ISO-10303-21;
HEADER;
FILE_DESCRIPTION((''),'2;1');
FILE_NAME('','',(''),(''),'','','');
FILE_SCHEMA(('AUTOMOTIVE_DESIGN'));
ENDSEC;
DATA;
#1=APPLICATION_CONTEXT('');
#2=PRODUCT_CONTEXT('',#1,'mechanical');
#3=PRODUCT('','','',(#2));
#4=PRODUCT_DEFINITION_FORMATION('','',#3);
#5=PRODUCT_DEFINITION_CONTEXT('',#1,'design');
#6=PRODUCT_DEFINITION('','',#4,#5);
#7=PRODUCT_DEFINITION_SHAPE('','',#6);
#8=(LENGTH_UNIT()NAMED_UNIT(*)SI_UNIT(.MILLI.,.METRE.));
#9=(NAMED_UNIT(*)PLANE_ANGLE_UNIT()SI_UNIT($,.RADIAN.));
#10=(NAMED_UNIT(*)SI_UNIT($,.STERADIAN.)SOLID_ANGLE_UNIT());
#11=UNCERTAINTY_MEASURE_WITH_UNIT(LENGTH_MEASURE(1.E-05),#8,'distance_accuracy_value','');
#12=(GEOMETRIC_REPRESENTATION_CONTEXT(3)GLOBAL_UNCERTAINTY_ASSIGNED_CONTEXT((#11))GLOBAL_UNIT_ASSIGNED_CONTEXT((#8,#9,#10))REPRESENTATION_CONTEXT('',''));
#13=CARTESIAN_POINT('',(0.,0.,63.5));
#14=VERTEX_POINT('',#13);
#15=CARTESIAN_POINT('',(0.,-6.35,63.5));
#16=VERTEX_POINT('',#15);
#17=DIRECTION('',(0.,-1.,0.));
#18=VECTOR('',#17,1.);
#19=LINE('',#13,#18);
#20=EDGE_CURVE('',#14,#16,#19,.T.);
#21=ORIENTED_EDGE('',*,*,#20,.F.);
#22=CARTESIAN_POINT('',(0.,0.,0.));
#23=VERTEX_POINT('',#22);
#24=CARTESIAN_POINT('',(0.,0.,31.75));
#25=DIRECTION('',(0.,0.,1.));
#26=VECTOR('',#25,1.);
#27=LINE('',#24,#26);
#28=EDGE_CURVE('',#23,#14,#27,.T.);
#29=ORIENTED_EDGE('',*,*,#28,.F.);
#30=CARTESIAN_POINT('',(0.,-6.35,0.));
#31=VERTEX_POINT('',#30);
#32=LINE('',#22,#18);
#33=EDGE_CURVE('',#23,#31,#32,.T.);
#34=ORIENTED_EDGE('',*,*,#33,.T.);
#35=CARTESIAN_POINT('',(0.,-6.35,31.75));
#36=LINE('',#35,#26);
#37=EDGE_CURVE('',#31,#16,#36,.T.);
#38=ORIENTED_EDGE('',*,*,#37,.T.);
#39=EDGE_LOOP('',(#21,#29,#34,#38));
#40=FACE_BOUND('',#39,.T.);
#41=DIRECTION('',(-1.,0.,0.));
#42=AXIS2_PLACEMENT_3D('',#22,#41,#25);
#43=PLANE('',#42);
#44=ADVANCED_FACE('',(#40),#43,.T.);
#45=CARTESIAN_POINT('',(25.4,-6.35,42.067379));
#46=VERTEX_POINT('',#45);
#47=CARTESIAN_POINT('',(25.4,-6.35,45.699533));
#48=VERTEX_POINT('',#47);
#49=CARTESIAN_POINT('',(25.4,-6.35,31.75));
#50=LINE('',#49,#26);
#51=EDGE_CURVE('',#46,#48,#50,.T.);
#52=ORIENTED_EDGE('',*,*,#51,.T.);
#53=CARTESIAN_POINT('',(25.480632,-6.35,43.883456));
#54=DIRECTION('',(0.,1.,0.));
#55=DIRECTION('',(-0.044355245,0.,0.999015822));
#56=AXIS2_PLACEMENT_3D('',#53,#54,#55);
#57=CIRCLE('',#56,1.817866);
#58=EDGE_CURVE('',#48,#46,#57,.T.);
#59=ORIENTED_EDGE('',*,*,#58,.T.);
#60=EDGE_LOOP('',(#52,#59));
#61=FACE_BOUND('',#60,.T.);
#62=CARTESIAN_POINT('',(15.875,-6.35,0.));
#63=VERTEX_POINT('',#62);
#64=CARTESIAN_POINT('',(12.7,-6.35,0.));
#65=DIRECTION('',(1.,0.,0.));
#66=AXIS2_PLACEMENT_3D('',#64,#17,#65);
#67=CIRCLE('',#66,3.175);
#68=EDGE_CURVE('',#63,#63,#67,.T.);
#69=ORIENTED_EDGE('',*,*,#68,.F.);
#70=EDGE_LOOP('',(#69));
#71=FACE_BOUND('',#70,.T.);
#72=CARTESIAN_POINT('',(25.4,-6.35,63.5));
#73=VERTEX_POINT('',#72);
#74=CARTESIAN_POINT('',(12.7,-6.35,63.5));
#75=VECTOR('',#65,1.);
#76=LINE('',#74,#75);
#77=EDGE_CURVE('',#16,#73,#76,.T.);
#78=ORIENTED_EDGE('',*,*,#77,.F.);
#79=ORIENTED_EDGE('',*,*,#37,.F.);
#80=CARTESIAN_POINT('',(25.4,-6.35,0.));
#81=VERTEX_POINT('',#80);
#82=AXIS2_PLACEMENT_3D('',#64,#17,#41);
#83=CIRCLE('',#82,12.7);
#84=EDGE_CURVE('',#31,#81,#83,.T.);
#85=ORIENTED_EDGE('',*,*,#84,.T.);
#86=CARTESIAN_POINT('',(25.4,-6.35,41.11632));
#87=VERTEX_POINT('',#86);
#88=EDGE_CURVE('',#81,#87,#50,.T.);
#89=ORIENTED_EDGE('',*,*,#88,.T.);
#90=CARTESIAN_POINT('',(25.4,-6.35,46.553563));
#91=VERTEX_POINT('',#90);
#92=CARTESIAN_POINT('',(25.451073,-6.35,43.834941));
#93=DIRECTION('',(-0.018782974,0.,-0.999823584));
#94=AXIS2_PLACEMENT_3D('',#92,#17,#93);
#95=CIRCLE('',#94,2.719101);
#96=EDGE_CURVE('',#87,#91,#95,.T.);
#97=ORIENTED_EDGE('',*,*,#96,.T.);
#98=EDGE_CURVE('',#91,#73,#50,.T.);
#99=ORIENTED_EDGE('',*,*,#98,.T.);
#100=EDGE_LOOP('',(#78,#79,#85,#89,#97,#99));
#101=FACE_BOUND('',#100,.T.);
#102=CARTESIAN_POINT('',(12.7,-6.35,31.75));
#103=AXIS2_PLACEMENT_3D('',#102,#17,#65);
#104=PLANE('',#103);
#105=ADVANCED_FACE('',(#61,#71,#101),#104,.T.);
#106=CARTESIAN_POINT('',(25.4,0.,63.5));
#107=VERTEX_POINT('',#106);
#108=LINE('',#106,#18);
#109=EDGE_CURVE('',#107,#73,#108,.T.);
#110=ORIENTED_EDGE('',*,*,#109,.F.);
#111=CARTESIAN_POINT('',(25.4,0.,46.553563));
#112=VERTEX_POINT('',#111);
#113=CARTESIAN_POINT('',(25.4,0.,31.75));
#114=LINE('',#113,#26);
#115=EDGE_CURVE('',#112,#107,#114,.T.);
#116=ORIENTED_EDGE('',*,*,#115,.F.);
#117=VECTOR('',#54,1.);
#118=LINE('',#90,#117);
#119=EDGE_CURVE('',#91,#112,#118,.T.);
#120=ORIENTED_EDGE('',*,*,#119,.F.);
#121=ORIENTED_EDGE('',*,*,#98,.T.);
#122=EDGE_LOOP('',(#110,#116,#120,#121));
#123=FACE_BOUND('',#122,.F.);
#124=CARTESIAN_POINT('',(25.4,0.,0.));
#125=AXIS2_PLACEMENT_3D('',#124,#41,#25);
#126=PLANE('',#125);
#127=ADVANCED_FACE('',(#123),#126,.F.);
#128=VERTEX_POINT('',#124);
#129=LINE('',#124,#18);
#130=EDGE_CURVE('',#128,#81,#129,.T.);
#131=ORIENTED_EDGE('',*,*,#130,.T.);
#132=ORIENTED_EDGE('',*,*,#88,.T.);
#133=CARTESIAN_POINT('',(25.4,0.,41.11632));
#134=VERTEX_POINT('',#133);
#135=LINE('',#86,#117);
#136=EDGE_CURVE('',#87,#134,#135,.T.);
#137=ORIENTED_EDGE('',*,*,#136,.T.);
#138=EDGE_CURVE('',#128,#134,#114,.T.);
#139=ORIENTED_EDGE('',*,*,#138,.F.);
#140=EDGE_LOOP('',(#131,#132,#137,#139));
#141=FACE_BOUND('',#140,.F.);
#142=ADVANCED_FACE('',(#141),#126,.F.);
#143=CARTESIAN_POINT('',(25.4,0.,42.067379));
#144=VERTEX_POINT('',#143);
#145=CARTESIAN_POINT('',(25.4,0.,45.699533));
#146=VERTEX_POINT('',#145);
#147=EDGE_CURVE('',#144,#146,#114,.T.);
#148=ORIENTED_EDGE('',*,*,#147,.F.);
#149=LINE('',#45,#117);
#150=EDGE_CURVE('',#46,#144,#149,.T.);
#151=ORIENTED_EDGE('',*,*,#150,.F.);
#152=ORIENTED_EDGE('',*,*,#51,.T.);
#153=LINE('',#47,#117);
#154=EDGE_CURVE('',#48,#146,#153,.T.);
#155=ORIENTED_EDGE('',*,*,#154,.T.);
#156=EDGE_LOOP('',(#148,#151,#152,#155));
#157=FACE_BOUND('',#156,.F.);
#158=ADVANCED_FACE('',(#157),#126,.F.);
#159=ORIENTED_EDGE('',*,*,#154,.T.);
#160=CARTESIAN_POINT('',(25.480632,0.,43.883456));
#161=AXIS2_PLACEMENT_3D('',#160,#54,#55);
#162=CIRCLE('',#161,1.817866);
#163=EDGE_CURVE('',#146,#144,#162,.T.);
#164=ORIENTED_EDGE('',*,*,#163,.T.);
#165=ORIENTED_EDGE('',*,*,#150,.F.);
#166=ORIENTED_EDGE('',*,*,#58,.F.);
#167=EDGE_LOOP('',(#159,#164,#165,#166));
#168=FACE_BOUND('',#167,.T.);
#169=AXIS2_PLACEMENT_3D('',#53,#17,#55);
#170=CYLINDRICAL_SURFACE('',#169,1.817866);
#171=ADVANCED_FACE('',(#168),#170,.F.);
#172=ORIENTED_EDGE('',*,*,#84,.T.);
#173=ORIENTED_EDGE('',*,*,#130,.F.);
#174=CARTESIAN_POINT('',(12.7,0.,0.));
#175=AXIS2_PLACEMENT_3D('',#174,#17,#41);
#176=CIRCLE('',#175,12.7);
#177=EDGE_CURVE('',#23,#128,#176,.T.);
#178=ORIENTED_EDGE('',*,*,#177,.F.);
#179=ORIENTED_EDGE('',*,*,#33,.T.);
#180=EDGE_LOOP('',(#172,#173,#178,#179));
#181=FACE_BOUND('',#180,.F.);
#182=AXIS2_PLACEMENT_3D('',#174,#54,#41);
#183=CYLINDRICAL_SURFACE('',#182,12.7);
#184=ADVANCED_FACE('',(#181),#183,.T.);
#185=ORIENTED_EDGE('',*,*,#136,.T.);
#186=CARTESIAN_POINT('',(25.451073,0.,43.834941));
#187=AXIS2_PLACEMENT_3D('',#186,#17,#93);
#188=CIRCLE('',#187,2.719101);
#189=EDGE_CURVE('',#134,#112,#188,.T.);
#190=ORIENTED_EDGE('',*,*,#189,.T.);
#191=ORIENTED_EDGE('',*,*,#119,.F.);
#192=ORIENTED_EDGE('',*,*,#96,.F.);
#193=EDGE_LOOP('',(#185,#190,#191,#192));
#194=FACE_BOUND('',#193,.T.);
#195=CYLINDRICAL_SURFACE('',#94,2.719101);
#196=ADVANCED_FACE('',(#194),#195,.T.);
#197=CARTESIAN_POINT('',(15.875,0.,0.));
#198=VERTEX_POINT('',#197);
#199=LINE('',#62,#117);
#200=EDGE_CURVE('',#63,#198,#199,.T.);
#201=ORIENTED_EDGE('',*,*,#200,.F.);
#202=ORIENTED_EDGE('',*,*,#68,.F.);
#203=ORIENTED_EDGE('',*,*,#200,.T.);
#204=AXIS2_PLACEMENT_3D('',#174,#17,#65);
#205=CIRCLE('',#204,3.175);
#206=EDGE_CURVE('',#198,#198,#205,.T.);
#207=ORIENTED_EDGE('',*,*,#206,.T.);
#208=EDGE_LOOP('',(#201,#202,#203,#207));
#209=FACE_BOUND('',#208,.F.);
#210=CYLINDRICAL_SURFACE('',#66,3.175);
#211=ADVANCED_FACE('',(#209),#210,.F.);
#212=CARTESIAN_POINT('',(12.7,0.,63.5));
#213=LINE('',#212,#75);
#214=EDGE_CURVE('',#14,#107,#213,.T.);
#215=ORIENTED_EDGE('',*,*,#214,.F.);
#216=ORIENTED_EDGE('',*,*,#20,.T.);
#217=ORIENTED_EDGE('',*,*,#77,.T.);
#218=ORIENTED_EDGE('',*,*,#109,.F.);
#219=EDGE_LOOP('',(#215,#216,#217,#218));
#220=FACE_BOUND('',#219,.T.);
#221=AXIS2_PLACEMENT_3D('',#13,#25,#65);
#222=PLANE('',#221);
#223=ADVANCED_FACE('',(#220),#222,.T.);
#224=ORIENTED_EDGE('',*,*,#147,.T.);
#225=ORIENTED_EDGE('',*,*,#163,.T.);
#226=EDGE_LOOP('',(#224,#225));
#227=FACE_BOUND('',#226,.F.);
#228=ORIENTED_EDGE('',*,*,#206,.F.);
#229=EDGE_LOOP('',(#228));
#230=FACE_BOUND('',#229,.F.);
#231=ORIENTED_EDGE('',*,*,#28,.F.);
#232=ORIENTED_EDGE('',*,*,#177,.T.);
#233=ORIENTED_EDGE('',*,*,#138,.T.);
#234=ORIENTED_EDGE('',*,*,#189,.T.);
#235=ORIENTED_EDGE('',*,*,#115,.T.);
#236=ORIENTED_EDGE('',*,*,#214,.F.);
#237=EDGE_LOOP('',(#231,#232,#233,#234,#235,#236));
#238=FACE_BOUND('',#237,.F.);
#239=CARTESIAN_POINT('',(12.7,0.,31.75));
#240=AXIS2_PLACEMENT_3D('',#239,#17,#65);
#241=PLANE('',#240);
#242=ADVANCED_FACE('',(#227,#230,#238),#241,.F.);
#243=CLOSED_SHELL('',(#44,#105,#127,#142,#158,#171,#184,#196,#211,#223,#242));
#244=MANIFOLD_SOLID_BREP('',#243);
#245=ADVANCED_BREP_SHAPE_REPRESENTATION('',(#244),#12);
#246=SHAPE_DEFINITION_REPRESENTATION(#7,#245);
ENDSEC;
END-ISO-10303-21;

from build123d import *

# Parameters (mm, degrees)
F0_W     = 25.4
F0_H     = 63.5
F1_DEPTH = 6.35
F2_R     = 3.175
F3_DEPTH = 6.35
F5_DEPTH = 6.35


with BuildPart() as f1:
    # F0 (on Front) → F1 (new body)
    with BuildSketch(Plane.XZ):
        with Locations((12.7, 31.75)):
            Rectangle(F0_W, F0_H)
        with BuildLine():
            Line((25.4, 0), (0, 0))
            ThreePointArc((0, 0), (12.7, -12.7), (25.4, 0))
        make_face()
    extrude(amount=F1_DEPTH)

    # F2 (on face) → F3 (cut, through all)
    with BuildSketch(Plane.XZ.offset(6.35)):
        with Locations((12.7, 0)):
            Circle(F2_R)
    extrude(amount=-F3_DEPTH, mode=Mode.SUBTRACT)

    # F4 (on face) → F5 (join, through all)
    with BuildSketch(Plane.XZ.offset(6.35)):
        with BuildLine():
            Line((25.4, 42.067379), (25.4, 41.11632))
            ThreePointArc((25.4, 41.11632), (28.170174, 43.834941), (25.4, 46.553563))
            Line((25.4, 46.553563), (25.4, 45.699533))
            ThreePointArc((25.4, 45.699533), (27.298498, 43.883456), (25.4, 42.067379))
        make_face()
    extrude(amount=-F5_DEPTH)


solid = f1.part
